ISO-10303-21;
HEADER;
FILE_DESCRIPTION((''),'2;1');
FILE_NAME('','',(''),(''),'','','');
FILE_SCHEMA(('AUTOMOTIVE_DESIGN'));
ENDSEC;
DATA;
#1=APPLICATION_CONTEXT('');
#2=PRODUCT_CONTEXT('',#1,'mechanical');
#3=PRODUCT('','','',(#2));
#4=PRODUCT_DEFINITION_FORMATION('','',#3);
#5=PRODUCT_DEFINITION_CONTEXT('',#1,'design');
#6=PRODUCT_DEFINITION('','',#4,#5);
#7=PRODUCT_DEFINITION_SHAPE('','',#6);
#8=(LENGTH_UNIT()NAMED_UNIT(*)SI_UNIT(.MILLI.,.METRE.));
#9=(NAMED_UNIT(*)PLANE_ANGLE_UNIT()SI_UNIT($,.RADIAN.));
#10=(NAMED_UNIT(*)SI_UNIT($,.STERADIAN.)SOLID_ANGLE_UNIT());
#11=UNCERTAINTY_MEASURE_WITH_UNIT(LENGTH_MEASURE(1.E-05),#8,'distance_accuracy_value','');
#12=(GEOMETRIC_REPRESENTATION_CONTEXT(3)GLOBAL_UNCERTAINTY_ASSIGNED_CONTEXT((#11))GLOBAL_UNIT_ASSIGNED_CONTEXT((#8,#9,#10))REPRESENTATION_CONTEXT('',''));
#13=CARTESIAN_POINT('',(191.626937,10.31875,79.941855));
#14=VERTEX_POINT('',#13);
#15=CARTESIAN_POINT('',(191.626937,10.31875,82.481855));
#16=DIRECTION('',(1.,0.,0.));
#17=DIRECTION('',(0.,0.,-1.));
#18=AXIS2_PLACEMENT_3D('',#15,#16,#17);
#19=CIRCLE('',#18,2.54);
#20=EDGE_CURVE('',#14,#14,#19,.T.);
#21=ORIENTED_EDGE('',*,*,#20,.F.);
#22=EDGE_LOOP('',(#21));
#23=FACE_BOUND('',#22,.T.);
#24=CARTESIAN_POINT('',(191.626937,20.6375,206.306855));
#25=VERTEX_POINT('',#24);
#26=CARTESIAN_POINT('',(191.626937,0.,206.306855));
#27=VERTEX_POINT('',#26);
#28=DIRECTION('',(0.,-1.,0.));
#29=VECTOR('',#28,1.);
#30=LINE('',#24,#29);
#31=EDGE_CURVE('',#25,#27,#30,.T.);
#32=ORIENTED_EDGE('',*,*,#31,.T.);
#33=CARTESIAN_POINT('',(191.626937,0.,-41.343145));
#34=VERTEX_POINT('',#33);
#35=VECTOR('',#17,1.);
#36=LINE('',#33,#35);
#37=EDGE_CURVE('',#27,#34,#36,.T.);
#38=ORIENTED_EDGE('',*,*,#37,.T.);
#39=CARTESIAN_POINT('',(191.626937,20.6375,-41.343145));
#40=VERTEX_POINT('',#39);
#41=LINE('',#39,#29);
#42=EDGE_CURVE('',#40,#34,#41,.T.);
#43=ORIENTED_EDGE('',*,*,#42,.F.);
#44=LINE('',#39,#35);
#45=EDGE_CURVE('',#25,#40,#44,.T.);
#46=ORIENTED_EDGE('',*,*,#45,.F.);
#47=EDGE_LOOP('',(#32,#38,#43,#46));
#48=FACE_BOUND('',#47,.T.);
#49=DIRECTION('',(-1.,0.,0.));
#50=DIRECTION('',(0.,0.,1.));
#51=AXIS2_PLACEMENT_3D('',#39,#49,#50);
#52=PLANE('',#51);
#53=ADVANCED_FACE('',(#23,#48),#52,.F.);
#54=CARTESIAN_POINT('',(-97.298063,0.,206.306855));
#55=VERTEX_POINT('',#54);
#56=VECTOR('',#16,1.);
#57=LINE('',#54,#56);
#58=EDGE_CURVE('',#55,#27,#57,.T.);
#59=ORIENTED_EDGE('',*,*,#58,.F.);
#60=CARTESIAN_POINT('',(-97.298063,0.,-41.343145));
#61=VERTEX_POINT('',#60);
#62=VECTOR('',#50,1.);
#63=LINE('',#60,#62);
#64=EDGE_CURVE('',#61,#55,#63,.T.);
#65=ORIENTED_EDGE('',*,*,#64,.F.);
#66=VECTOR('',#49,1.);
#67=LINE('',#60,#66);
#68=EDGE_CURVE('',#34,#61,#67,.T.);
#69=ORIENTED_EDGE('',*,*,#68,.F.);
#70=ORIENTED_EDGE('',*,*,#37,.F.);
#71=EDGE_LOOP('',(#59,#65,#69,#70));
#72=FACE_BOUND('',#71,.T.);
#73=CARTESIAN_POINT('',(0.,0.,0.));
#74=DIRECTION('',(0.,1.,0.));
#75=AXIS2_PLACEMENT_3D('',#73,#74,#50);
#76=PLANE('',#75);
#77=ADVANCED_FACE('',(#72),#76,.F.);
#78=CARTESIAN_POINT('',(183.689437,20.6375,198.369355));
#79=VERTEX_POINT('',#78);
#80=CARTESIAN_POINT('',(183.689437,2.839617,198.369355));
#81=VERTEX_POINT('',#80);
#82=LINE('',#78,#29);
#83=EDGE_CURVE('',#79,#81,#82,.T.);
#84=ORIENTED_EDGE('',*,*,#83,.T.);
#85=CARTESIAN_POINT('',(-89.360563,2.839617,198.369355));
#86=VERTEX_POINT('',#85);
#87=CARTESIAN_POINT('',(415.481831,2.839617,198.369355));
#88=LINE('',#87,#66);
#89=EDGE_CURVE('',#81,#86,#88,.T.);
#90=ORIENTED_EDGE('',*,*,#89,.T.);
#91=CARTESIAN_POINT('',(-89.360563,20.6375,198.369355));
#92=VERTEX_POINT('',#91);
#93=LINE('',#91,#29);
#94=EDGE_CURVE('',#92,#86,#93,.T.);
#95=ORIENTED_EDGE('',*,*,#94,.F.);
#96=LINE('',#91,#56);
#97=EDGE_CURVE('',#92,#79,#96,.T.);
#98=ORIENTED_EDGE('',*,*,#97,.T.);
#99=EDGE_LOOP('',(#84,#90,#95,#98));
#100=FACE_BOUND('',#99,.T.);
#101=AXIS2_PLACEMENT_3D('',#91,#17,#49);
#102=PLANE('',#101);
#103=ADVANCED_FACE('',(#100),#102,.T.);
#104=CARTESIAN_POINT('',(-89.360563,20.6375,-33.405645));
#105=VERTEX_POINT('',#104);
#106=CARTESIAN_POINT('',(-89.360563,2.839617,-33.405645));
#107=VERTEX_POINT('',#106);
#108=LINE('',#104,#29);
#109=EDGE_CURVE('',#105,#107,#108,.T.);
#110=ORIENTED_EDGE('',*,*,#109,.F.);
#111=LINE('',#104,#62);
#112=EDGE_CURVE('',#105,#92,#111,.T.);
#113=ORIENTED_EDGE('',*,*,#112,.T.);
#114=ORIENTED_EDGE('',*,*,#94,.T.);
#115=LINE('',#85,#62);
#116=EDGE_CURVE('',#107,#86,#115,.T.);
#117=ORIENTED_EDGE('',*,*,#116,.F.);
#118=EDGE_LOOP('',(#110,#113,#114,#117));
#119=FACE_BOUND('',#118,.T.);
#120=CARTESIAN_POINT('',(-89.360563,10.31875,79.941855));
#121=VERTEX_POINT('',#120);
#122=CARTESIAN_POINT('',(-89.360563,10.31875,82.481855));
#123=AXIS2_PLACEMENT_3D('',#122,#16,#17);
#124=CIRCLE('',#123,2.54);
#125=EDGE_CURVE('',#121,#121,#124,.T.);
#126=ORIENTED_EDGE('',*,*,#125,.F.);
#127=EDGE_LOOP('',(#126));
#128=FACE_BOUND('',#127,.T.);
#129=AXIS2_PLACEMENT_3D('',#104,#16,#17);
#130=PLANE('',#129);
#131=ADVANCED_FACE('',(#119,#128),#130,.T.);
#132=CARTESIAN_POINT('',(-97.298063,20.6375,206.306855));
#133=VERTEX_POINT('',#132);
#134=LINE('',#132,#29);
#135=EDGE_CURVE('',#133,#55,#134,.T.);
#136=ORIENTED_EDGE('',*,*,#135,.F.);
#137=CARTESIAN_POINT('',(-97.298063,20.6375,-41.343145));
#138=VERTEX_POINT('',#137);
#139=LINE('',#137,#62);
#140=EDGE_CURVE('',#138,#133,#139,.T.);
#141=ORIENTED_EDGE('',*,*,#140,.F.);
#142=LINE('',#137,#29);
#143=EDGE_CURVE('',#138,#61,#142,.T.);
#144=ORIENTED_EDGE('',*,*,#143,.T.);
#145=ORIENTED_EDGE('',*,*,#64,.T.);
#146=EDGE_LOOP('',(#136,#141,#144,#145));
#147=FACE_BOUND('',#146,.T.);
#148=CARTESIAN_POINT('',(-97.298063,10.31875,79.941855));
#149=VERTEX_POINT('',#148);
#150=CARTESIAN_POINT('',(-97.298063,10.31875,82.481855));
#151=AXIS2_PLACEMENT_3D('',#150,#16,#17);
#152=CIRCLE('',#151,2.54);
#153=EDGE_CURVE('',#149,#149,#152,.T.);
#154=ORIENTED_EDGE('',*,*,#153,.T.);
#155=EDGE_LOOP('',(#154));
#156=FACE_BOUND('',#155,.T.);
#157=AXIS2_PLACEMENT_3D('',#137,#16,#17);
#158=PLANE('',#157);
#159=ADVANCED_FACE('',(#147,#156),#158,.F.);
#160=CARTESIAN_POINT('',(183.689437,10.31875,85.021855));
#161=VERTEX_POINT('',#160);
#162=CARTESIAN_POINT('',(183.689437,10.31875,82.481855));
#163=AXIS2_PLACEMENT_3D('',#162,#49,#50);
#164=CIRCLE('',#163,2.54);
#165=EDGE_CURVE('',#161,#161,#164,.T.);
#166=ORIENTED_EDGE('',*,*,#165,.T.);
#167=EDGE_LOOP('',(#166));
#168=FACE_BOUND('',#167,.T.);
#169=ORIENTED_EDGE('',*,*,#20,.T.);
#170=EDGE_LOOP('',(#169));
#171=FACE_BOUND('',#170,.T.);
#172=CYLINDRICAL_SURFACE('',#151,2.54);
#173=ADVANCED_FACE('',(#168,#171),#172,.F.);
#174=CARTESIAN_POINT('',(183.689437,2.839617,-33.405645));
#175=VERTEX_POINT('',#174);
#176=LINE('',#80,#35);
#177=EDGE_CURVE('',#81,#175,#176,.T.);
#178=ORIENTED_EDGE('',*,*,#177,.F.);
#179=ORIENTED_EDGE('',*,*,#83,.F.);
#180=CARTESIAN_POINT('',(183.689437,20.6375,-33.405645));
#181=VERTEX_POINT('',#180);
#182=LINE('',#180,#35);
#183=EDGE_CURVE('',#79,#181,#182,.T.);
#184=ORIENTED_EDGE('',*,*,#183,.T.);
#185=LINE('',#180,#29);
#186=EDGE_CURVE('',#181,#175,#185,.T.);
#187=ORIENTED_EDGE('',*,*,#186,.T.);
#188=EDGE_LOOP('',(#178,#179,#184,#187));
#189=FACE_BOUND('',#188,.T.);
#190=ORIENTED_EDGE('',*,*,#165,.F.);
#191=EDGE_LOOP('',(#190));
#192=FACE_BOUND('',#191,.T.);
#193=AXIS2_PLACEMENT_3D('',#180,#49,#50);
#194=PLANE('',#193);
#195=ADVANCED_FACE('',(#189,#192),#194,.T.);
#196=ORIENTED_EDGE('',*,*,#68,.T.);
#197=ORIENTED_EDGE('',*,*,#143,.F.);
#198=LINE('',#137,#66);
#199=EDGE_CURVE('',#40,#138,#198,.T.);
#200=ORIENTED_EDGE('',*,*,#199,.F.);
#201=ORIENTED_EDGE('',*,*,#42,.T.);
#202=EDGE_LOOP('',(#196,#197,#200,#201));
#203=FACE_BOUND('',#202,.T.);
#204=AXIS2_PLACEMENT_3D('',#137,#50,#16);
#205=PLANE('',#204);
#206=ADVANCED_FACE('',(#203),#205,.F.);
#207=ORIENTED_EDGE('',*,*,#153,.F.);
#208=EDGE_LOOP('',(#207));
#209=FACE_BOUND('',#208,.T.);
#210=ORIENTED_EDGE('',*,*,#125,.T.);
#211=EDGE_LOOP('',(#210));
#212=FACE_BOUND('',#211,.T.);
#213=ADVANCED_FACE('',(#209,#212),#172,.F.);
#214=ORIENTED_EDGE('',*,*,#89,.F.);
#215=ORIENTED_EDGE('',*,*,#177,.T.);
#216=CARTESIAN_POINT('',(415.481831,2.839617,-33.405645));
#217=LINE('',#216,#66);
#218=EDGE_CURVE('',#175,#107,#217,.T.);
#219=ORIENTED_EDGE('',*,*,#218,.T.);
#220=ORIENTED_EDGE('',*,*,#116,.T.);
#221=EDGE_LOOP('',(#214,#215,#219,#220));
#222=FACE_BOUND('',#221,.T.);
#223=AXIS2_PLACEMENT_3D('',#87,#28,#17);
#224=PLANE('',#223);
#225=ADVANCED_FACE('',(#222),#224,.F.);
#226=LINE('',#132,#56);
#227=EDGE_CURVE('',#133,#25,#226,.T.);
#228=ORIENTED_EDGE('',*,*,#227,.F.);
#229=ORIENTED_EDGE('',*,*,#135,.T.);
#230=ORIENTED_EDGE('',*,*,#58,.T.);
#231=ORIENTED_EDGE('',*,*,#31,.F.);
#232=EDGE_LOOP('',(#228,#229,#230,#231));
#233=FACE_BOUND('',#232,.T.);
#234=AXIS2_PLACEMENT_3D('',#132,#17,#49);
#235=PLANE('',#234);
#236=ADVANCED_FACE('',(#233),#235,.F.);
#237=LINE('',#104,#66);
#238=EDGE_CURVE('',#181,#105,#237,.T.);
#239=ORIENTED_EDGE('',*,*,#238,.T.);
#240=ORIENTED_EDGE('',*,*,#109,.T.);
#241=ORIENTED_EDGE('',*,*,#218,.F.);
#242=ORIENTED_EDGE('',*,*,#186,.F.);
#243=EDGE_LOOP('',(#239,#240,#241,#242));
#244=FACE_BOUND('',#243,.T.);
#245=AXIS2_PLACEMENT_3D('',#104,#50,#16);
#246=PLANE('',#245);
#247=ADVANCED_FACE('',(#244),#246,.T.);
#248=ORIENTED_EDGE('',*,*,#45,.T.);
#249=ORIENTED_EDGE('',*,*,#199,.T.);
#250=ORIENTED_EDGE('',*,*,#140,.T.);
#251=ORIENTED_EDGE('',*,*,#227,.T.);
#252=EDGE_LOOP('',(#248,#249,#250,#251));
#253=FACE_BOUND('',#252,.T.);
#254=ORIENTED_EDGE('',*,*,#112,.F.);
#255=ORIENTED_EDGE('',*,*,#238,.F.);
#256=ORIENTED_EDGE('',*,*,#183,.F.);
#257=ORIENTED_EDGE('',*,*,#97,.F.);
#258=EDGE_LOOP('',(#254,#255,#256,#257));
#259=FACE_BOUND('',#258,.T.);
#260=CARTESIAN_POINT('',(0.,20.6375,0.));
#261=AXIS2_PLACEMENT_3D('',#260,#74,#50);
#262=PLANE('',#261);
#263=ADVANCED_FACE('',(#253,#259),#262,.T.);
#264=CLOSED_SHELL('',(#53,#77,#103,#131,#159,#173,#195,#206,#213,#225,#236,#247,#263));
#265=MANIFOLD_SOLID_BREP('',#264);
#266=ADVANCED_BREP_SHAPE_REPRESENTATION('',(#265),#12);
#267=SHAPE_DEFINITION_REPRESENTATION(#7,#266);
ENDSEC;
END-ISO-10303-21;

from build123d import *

# Parameters (mm, degrees)
SKETCH1_W           = 288.925
SKETCH1_H           = 247.65
SKETCH1_W_2         = 273.05
SKETCH1_H_2         = 231.775
BOSS_EXTRUDE1_DEPTH = 20.6375
SKETCH2_W           = 231.775
SKETCH2_H           = 2.839616755
BOSS_EXTRUDE2_DEPTH = 273.05
SKETCH3_R           = 2.54
CUT_EXTRUDE1_DEPTH  = 356.620697252


with BuildPart() as part:
    # Sketch1 → Boss-Extrude1 (new body)
    with BuildSketch(Plane(origin=(0, 0, 0), x_dir=(1, 0, 0), z_dir=(0, 1, 0))):
        with Locations((47.164436759, -82.481854668)):
            Rectangle(SKETCH1_W, SKETCH1_H)
        with Locations((47.164436759, -82.481854668)):
            Rectangle(SKETCH1_W_2, SKETCH1_H_2, mode=Mode.SUBTRACT)
    extrude(amount=BOSS_EXTRUDE1_DEPTH)

    # Sketch2 → Boss-Extrude2 (add)
    with BuildSketch(Plane(origin=(-89.360563241, 0, 0), x_dir=(0, 0, -1), z_dir=(1, 0, 0))):
        with Locations((-82.481854668, 1.419808378)):
            Rectangle(SKETCH2_W, SKETCH2_H)
    extrude(amount=BOSS_EXTRUDE2_DEPTH)

    # Sketch3 → Cut-Extrude1 (cut, through all)
    with BuildSketch(Plane(origin=(191.626936759, 0, 0), x_dir=(0, 0, -1), z_dir=(1, 0, 0))):
        with Locations((-82.481854668, 10.31875)):
            Circle(SKETCH3_R)
    extrude(amount=-CUT_EXTRUDE1_DEPTH, mode=Mode.SUBTRACT)


solid = part.part
